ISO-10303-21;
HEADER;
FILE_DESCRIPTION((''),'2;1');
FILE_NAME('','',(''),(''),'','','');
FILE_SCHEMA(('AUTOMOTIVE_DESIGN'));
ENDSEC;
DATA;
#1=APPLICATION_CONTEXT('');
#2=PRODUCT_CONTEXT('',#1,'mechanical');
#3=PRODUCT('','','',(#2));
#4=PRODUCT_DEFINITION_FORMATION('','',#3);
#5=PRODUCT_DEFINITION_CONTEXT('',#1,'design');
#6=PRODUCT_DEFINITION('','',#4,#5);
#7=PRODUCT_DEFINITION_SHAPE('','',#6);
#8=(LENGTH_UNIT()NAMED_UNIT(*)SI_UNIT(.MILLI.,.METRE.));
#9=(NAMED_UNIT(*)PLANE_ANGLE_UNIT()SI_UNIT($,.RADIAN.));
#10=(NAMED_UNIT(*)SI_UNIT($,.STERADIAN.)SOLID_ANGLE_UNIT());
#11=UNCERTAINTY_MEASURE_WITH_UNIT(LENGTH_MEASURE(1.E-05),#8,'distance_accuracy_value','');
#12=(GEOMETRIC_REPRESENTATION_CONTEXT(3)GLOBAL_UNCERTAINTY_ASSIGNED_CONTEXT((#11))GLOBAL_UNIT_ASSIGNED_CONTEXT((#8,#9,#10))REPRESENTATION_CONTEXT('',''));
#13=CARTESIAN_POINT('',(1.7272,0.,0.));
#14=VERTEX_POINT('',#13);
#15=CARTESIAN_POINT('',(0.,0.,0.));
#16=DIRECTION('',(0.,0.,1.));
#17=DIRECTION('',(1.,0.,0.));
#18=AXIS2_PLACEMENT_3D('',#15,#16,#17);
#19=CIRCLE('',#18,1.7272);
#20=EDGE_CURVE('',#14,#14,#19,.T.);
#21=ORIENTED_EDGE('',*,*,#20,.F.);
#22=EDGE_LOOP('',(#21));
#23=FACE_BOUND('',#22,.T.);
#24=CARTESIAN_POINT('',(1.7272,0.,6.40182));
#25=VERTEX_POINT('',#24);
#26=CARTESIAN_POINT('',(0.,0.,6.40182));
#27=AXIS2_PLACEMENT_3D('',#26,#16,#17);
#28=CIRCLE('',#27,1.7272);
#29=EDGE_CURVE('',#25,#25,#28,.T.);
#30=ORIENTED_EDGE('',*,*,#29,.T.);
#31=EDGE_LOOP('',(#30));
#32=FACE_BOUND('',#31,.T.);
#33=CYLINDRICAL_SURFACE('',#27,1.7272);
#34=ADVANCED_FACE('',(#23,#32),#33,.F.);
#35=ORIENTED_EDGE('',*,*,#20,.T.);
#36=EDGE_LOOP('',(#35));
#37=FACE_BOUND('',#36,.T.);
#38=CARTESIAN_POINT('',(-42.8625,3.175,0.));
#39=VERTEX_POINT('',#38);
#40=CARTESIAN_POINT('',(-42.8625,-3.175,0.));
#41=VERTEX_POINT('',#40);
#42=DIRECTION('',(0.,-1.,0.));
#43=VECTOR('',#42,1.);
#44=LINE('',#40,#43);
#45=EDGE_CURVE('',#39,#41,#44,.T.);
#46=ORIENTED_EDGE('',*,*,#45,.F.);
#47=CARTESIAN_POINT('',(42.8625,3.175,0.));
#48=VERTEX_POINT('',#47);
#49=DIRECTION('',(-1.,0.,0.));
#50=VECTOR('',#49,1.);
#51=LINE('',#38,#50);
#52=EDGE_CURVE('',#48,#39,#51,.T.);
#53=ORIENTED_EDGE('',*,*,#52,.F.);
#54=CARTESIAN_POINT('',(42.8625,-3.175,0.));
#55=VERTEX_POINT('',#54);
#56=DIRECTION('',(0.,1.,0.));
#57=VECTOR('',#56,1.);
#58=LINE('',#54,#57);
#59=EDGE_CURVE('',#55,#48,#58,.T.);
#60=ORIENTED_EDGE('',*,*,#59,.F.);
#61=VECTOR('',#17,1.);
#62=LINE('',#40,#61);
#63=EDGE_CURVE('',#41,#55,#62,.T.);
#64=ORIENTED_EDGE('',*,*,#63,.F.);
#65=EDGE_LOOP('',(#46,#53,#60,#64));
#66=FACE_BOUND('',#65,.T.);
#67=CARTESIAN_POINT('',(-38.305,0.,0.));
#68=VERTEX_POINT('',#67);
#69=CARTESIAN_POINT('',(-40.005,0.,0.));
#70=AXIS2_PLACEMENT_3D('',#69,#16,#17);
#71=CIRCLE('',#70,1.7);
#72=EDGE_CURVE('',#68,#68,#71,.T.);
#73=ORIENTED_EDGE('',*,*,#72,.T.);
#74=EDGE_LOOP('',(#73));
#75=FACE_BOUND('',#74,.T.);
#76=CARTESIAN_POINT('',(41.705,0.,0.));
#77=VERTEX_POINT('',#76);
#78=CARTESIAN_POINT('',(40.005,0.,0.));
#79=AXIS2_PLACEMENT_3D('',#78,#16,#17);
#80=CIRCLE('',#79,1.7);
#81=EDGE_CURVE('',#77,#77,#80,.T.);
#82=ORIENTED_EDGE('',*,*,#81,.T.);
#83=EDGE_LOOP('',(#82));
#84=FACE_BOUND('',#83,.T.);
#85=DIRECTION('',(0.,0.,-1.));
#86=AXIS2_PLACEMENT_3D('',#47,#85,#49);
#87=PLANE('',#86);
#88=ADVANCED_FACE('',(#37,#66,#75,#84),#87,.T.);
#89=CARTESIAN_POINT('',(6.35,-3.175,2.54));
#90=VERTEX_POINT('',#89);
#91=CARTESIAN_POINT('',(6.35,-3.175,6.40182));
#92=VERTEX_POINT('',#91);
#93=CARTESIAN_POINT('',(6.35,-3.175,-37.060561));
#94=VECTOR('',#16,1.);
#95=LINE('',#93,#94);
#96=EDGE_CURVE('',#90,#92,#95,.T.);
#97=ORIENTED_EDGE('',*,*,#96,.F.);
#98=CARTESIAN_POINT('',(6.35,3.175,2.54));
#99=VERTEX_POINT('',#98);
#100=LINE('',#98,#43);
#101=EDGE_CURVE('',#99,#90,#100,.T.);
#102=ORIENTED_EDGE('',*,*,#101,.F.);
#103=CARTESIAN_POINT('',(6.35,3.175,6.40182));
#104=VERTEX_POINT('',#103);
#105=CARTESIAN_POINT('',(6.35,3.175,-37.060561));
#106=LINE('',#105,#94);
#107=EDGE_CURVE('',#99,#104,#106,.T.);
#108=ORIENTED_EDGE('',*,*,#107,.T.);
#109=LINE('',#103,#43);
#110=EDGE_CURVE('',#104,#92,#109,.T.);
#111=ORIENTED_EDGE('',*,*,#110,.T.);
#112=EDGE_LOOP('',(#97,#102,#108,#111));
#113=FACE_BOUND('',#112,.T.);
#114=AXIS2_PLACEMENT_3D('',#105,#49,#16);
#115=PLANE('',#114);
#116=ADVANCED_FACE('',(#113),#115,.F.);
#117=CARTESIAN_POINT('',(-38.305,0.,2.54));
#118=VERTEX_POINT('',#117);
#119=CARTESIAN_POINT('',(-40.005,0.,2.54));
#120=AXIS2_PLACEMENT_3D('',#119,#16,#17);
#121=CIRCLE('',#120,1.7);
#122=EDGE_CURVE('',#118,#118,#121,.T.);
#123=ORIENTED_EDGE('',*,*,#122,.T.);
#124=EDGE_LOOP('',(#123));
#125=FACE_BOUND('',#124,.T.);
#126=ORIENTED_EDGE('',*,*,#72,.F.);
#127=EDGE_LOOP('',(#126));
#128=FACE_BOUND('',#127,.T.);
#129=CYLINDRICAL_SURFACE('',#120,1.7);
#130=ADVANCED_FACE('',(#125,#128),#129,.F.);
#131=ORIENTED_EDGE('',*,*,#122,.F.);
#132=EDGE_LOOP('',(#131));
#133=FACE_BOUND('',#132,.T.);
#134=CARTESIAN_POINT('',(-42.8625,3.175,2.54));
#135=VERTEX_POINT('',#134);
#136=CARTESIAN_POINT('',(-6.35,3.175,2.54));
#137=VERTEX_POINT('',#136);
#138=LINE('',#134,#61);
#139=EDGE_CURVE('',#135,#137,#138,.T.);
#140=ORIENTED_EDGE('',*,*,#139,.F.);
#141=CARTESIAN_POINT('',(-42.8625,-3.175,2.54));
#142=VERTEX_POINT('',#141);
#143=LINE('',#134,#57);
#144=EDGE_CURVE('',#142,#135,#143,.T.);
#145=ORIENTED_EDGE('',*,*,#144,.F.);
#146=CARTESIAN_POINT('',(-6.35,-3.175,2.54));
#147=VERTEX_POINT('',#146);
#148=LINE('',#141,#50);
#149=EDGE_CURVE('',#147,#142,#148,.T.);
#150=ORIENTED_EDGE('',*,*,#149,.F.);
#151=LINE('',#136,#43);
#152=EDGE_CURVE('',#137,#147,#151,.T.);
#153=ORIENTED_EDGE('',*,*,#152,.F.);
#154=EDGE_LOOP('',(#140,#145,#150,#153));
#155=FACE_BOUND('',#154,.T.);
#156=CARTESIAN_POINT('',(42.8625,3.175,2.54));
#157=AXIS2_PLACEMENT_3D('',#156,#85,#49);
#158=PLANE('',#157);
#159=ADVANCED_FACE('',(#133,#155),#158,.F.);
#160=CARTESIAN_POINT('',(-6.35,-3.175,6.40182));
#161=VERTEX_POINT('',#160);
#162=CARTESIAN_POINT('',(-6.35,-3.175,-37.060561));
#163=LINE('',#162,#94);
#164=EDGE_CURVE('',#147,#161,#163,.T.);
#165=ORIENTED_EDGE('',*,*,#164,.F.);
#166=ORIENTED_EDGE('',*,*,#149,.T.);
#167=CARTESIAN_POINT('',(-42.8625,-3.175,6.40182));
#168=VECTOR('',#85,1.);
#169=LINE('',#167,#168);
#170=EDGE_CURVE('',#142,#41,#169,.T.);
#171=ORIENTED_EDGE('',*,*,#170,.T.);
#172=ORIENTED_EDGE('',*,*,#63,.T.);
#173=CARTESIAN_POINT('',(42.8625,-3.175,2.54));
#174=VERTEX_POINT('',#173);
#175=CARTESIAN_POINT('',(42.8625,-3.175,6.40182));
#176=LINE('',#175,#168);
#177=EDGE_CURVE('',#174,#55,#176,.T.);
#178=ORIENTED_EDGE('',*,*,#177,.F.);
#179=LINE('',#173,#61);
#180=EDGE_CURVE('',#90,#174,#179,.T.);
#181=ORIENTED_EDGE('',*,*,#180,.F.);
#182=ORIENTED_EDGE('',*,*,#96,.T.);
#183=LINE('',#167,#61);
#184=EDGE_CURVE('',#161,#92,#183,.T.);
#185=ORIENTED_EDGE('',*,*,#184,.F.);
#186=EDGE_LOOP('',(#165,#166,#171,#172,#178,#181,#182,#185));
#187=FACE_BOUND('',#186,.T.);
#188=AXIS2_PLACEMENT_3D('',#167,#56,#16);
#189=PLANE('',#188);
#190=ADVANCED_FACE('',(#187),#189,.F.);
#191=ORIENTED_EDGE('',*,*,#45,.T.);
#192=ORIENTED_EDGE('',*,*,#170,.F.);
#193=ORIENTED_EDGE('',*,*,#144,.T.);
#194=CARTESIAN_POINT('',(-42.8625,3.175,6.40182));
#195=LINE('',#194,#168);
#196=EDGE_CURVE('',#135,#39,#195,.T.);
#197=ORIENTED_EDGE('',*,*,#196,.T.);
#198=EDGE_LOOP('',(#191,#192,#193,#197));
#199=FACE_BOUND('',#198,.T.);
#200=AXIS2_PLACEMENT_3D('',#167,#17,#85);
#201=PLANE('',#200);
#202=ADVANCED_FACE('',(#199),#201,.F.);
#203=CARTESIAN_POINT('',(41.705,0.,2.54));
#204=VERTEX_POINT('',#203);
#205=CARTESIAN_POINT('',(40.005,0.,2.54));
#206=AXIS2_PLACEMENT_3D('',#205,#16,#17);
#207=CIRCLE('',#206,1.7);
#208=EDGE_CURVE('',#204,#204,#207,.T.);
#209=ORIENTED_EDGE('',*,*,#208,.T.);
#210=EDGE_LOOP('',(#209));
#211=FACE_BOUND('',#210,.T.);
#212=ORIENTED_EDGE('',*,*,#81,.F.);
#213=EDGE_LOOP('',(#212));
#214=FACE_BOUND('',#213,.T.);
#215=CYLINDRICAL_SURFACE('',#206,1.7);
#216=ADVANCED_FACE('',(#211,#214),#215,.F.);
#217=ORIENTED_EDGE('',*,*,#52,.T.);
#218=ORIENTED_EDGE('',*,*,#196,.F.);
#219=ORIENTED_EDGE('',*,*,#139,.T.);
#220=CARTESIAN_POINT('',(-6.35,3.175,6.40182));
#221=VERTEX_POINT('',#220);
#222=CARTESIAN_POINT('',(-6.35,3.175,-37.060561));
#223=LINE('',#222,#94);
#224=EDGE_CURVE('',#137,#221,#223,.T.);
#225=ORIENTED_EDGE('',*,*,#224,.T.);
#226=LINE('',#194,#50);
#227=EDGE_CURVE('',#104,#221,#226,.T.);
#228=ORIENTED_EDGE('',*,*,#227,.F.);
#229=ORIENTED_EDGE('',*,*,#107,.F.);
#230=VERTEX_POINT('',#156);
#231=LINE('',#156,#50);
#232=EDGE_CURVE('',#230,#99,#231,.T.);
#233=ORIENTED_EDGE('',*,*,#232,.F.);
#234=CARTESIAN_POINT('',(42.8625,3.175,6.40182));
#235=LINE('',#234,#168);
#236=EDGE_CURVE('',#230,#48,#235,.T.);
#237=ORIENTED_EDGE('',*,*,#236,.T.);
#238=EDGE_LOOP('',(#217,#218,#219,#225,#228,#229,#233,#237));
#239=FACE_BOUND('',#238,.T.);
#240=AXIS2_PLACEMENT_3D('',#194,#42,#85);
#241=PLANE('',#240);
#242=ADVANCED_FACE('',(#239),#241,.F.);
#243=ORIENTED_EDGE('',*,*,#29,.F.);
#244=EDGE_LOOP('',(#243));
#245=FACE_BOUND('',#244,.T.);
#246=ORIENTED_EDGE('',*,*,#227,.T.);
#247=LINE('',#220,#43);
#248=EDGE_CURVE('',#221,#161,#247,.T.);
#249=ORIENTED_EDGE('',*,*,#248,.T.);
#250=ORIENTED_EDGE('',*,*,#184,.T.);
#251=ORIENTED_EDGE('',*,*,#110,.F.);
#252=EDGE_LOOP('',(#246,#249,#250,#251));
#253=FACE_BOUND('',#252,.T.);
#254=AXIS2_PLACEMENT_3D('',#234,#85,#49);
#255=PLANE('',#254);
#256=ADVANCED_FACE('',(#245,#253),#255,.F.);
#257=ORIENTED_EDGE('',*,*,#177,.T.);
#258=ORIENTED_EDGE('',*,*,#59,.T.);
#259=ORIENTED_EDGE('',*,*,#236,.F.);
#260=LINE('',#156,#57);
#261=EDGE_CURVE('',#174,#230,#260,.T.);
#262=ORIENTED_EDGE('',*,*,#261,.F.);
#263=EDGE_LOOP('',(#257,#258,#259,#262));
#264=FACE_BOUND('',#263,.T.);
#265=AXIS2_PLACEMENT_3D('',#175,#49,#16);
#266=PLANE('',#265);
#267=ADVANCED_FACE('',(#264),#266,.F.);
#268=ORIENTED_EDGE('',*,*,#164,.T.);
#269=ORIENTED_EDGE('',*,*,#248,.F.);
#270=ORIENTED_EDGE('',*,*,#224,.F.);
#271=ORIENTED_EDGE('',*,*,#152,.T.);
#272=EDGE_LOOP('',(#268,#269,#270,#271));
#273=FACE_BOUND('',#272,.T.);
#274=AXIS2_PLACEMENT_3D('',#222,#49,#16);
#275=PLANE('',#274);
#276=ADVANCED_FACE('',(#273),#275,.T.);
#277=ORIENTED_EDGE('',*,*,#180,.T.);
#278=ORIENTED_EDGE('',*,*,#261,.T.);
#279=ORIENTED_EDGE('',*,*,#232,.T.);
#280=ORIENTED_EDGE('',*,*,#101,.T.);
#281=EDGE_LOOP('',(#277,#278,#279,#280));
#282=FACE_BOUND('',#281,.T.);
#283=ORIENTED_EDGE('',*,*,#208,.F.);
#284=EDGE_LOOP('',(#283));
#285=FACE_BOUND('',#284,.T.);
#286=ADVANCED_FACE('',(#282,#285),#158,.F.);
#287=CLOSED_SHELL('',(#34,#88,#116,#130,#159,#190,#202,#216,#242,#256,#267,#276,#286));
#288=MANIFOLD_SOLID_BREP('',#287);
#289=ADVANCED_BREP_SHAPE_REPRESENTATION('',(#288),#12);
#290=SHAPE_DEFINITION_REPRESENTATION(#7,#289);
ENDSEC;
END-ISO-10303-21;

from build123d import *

# Parameters (mm, degrees)
SKETCH1_W             = 85.725
SKETCH1_H             = 6.35
BOSS_EXTRUDE1_DEPTH   = 6.40182
SKETCH2_W             = 36.5125
SKETCH2_H             = 6.35
CUT_EXTRUDE1_DEPTH    = 3.86182
M3_CLEARANCE_HOLE1_D  = 3.4
F_8_32_TAPPED_HOLE1_D = 3.4544


with BuildPart() as part:
    # Sketch1 → Boss-Extrude1 (new body)
    with BuildSketch(Plane.XY):
        Rectangle(SKETCH1_W, SKETCH1_H)
    extrude(amount=BOSS_EXTRUDE1_DEPTH)

    # Sketch2 → Cut-Extrude1 (cut)
    with BuildSketch(Plane.XY.offset(6.40182)):
        with Locations((24.60625, 0)):
            Rectangle(SKETCH2_W, SKETCH2_H)
    cut_extrude1 = extrude(amount=-CUT_EXTRUDE1_DEPTH, mode=Mode.SUBTRACT)

    # M3 Clearance Hole1 (through all)
    with Locations(Plane.XY.offset(2.54)):
        with Locations((40.005, 0)):
            m3_clearance_hole1 = Hole(M3_CLEARANCE_HOLE1_D / 2)

    # Mirror2: Cut-Extrude1, M3 Clearance Hole1 across plane
    add(cut_extrude1.mirror(Plane(origin=(0, 0, 0), x_dir=(0, 0, 1), z_dir=(1, 0, 0))), mode=Mode.SUBTRACT)
    add(m3_clearance_hole1.mirror(Plane(origin=(0, 0, 0), x_dir=(0, 0, 1), z_dir=(1, 0, 0))), mode=Mode.SUBTRACT)

    # #8-32 Tapped Hole1 (through all)
    with Locations(Plane.XY.offset(6.40182)):
        with Locations((0, 0)):
            Hole(F_8_32_TAPPED_HOLE1_D / 2)


solid = part.part
